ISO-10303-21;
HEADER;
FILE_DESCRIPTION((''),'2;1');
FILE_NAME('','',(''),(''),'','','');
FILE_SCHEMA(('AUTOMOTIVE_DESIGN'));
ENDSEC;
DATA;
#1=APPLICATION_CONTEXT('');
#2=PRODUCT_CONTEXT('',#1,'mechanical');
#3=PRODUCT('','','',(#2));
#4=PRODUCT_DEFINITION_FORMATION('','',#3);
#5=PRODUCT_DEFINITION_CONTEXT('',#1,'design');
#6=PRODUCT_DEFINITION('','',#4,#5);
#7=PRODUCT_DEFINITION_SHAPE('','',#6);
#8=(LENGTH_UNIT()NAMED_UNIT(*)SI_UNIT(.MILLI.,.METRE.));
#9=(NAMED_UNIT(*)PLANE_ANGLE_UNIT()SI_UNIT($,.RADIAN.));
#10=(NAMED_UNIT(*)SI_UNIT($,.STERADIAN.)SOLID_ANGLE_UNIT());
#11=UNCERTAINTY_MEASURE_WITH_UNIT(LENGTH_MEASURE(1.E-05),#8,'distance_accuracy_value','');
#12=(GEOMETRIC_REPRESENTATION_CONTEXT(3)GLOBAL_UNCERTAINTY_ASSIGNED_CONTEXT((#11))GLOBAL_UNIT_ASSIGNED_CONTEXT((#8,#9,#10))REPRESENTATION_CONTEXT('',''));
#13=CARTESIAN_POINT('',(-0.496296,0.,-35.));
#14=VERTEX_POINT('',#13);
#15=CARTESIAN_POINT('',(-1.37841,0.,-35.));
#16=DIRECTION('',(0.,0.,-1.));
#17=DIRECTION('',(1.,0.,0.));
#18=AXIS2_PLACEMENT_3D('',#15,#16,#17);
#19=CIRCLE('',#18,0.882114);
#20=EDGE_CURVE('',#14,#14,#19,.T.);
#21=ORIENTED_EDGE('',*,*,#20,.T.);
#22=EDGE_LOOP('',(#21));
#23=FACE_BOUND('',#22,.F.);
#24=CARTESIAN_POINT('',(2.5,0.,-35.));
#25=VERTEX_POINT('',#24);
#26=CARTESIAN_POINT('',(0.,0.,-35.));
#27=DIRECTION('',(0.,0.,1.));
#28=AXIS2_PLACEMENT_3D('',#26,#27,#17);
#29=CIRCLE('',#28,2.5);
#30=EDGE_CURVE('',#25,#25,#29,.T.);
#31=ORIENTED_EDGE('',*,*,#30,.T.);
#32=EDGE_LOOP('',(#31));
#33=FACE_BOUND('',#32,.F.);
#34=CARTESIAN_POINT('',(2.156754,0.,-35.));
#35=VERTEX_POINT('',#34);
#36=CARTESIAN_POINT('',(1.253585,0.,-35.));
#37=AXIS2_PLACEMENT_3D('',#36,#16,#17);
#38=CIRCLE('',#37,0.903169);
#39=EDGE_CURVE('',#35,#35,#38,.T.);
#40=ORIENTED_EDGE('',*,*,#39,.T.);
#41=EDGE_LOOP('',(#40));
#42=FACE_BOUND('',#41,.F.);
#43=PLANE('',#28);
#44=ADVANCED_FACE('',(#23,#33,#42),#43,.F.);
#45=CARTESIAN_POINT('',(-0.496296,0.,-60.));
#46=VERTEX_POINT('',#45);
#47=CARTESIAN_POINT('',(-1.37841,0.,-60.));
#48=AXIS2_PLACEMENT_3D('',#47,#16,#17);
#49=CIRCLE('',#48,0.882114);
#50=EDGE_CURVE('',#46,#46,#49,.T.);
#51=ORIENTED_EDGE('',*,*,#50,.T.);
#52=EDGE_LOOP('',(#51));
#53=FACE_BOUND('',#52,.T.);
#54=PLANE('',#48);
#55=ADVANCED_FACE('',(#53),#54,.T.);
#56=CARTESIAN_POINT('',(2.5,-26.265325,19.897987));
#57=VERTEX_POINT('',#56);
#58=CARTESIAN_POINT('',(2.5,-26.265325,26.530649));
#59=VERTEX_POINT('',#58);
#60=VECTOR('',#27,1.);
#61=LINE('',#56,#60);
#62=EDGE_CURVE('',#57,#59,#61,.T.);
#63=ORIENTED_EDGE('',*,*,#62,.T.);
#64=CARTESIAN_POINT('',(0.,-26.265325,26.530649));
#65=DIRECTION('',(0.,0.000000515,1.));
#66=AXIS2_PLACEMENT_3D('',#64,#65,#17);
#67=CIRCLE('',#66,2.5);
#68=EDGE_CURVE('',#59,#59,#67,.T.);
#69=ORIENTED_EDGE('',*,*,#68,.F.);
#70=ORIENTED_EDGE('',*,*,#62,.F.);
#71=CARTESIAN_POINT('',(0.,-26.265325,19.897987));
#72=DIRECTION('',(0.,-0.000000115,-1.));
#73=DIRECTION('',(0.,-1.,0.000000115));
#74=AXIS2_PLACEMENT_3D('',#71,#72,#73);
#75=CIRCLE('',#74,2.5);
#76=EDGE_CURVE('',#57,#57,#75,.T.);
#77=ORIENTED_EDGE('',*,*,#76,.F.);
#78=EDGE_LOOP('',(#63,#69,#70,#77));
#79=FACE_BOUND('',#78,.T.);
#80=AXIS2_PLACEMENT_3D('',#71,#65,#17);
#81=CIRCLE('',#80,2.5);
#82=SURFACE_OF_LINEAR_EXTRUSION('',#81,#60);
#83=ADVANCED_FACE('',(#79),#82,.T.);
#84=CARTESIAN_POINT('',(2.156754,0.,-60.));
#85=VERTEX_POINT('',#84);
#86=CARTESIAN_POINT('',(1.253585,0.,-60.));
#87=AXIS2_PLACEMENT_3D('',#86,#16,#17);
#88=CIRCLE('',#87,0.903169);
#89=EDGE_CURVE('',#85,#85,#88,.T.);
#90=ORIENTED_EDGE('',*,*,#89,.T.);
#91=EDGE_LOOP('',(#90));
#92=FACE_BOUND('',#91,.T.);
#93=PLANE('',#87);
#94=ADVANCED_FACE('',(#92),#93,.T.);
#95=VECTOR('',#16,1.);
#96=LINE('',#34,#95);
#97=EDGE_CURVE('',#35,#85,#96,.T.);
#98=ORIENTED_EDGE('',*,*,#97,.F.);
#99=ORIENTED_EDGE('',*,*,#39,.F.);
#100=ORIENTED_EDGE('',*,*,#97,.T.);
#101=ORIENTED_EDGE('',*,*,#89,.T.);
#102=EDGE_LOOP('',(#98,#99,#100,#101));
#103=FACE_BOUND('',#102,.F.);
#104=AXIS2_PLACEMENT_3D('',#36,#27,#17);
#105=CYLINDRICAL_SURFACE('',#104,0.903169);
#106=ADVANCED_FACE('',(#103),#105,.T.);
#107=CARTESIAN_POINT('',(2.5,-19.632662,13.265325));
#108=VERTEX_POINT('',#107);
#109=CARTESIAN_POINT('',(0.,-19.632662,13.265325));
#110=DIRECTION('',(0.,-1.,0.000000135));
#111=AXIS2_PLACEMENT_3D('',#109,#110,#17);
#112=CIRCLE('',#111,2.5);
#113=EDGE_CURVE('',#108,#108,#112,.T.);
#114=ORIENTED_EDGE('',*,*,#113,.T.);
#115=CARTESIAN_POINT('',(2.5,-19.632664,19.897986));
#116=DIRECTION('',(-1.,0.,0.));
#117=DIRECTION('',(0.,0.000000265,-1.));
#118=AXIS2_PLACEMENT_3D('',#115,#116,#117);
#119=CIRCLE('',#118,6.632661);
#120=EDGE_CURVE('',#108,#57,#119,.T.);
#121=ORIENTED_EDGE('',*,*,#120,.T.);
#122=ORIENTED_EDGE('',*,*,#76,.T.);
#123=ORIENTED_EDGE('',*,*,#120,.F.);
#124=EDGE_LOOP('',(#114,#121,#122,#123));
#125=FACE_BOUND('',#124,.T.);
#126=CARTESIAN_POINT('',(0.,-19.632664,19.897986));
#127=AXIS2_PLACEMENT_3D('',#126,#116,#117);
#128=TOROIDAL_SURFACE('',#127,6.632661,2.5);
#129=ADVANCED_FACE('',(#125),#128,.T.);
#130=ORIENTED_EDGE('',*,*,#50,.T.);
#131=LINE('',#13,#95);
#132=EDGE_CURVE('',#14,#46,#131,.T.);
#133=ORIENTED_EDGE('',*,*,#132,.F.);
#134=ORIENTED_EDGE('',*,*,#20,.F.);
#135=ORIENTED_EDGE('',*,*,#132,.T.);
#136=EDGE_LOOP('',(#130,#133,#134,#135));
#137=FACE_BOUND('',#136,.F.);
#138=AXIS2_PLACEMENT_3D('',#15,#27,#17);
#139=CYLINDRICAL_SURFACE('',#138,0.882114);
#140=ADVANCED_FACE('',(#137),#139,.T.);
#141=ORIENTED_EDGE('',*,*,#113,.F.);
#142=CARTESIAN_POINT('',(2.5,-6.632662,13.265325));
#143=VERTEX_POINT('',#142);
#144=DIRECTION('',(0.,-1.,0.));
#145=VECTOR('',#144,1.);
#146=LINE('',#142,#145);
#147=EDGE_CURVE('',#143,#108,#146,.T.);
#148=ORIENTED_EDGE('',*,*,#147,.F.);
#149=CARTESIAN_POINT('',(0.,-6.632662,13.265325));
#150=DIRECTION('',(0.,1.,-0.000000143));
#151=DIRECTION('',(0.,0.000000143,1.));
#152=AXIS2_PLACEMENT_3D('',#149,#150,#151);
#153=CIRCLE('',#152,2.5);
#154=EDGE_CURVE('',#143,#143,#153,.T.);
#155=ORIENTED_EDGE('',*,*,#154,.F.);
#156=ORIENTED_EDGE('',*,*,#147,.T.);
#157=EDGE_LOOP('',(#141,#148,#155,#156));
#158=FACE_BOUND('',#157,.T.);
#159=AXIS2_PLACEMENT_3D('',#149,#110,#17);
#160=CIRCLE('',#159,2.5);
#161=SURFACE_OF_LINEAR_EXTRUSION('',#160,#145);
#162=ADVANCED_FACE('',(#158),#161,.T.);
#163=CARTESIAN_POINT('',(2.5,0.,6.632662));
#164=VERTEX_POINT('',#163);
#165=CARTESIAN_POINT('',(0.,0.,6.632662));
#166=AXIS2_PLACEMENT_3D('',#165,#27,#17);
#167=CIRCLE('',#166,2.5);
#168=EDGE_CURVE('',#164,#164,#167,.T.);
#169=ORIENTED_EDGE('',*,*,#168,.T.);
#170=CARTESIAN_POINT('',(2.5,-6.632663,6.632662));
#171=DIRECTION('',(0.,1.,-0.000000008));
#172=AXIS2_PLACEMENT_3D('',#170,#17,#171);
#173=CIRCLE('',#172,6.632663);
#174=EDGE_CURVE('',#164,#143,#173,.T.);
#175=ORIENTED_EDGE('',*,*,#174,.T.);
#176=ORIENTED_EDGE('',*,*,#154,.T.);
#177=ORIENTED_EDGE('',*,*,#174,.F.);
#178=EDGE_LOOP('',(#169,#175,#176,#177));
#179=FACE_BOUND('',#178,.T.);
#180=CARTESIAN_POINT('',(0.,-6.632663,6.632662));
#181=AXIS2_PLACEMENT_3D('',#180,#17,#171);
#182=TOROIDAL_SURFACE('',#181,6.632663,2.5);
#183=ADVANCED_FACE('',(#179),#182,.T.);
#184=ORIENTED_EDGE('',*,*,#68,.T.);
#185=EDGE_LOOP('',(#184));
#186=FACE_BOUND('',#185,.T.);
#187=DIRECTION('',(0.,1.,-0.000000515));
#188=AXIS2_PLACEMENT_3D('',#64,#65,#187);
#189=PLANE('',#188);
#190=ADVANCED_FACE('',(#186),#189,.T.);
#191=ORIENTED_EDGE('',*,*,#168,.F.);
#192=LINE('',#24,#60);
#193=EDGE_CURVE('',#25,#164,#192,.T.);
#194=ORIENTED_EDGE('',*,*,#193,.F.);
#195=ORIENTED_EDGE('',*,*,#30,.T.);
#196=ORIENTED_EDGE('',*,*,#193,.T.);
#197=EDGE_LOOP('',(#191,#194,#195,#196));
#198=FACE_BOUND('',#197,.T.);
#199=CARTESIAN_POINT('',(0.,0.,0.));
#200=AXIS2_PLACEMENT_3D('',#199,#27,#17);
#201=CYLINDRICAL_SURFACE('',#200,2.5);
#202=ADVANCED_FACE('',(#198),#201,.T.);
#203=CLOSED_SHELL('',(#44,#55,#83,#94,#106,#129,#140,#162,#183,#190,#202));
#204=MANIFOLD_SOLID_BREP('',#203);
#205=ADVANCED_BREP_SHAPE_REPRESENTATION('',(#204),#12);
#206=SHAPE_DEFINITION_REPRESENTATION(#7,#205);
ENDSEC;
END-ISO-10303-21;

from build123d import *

# Parameters (mm, degrees)
F1_R     = 2.5
F3_DEPTH = 35
F4_R     = 0.882114
F4_R_2   = 0.903169
F5_DEPTH = 25


with BuildPart() as f2:
    # F2: sweep along a path in F0
    with BuildLine(Plane.YZ) as f2_path:
        Line((0, 0), (0, 6.632662))
        ThreePointArc((0, 6.632662), (-1.942662, 11.322663), (-6.632662, 13.265325))
        Line((-6.632662, 13.265325), (-19.632662, 13.265325))
        ThreePointArc((-19.632662, 13.265325), (-24.322663, 15.207986), (-26.265325, 19.897987))
        Line((-26.265325, 19.897987), (-26.265325, 26.530649))
    # F1 (on Top) → F2 (sweep)
    with BuildSketch(Plane.XY):
        Circle(F1_R)
    sweep(path=f2_path.line)

    # F1 (on Top) → F3 (join)
    with BuildSketch(Plane.XY):
        Circle(F1_R)
    extrude(amount=-F3_DEPTH)

    # F4 (on face) → F5 (join)
    with BuildSketch(Plane(origin=(0, 0, -35), x_dir=(1, 0, 0), z_dir=(0, 0, -1))):
        with Locations((-1.37841, 0)):
            Circle(F4_R)
        with Locations((1.253585, 0)):
            Circle(F4_R_2)
    extrude(amount=F5_DEPTH)


solid = f2.part
